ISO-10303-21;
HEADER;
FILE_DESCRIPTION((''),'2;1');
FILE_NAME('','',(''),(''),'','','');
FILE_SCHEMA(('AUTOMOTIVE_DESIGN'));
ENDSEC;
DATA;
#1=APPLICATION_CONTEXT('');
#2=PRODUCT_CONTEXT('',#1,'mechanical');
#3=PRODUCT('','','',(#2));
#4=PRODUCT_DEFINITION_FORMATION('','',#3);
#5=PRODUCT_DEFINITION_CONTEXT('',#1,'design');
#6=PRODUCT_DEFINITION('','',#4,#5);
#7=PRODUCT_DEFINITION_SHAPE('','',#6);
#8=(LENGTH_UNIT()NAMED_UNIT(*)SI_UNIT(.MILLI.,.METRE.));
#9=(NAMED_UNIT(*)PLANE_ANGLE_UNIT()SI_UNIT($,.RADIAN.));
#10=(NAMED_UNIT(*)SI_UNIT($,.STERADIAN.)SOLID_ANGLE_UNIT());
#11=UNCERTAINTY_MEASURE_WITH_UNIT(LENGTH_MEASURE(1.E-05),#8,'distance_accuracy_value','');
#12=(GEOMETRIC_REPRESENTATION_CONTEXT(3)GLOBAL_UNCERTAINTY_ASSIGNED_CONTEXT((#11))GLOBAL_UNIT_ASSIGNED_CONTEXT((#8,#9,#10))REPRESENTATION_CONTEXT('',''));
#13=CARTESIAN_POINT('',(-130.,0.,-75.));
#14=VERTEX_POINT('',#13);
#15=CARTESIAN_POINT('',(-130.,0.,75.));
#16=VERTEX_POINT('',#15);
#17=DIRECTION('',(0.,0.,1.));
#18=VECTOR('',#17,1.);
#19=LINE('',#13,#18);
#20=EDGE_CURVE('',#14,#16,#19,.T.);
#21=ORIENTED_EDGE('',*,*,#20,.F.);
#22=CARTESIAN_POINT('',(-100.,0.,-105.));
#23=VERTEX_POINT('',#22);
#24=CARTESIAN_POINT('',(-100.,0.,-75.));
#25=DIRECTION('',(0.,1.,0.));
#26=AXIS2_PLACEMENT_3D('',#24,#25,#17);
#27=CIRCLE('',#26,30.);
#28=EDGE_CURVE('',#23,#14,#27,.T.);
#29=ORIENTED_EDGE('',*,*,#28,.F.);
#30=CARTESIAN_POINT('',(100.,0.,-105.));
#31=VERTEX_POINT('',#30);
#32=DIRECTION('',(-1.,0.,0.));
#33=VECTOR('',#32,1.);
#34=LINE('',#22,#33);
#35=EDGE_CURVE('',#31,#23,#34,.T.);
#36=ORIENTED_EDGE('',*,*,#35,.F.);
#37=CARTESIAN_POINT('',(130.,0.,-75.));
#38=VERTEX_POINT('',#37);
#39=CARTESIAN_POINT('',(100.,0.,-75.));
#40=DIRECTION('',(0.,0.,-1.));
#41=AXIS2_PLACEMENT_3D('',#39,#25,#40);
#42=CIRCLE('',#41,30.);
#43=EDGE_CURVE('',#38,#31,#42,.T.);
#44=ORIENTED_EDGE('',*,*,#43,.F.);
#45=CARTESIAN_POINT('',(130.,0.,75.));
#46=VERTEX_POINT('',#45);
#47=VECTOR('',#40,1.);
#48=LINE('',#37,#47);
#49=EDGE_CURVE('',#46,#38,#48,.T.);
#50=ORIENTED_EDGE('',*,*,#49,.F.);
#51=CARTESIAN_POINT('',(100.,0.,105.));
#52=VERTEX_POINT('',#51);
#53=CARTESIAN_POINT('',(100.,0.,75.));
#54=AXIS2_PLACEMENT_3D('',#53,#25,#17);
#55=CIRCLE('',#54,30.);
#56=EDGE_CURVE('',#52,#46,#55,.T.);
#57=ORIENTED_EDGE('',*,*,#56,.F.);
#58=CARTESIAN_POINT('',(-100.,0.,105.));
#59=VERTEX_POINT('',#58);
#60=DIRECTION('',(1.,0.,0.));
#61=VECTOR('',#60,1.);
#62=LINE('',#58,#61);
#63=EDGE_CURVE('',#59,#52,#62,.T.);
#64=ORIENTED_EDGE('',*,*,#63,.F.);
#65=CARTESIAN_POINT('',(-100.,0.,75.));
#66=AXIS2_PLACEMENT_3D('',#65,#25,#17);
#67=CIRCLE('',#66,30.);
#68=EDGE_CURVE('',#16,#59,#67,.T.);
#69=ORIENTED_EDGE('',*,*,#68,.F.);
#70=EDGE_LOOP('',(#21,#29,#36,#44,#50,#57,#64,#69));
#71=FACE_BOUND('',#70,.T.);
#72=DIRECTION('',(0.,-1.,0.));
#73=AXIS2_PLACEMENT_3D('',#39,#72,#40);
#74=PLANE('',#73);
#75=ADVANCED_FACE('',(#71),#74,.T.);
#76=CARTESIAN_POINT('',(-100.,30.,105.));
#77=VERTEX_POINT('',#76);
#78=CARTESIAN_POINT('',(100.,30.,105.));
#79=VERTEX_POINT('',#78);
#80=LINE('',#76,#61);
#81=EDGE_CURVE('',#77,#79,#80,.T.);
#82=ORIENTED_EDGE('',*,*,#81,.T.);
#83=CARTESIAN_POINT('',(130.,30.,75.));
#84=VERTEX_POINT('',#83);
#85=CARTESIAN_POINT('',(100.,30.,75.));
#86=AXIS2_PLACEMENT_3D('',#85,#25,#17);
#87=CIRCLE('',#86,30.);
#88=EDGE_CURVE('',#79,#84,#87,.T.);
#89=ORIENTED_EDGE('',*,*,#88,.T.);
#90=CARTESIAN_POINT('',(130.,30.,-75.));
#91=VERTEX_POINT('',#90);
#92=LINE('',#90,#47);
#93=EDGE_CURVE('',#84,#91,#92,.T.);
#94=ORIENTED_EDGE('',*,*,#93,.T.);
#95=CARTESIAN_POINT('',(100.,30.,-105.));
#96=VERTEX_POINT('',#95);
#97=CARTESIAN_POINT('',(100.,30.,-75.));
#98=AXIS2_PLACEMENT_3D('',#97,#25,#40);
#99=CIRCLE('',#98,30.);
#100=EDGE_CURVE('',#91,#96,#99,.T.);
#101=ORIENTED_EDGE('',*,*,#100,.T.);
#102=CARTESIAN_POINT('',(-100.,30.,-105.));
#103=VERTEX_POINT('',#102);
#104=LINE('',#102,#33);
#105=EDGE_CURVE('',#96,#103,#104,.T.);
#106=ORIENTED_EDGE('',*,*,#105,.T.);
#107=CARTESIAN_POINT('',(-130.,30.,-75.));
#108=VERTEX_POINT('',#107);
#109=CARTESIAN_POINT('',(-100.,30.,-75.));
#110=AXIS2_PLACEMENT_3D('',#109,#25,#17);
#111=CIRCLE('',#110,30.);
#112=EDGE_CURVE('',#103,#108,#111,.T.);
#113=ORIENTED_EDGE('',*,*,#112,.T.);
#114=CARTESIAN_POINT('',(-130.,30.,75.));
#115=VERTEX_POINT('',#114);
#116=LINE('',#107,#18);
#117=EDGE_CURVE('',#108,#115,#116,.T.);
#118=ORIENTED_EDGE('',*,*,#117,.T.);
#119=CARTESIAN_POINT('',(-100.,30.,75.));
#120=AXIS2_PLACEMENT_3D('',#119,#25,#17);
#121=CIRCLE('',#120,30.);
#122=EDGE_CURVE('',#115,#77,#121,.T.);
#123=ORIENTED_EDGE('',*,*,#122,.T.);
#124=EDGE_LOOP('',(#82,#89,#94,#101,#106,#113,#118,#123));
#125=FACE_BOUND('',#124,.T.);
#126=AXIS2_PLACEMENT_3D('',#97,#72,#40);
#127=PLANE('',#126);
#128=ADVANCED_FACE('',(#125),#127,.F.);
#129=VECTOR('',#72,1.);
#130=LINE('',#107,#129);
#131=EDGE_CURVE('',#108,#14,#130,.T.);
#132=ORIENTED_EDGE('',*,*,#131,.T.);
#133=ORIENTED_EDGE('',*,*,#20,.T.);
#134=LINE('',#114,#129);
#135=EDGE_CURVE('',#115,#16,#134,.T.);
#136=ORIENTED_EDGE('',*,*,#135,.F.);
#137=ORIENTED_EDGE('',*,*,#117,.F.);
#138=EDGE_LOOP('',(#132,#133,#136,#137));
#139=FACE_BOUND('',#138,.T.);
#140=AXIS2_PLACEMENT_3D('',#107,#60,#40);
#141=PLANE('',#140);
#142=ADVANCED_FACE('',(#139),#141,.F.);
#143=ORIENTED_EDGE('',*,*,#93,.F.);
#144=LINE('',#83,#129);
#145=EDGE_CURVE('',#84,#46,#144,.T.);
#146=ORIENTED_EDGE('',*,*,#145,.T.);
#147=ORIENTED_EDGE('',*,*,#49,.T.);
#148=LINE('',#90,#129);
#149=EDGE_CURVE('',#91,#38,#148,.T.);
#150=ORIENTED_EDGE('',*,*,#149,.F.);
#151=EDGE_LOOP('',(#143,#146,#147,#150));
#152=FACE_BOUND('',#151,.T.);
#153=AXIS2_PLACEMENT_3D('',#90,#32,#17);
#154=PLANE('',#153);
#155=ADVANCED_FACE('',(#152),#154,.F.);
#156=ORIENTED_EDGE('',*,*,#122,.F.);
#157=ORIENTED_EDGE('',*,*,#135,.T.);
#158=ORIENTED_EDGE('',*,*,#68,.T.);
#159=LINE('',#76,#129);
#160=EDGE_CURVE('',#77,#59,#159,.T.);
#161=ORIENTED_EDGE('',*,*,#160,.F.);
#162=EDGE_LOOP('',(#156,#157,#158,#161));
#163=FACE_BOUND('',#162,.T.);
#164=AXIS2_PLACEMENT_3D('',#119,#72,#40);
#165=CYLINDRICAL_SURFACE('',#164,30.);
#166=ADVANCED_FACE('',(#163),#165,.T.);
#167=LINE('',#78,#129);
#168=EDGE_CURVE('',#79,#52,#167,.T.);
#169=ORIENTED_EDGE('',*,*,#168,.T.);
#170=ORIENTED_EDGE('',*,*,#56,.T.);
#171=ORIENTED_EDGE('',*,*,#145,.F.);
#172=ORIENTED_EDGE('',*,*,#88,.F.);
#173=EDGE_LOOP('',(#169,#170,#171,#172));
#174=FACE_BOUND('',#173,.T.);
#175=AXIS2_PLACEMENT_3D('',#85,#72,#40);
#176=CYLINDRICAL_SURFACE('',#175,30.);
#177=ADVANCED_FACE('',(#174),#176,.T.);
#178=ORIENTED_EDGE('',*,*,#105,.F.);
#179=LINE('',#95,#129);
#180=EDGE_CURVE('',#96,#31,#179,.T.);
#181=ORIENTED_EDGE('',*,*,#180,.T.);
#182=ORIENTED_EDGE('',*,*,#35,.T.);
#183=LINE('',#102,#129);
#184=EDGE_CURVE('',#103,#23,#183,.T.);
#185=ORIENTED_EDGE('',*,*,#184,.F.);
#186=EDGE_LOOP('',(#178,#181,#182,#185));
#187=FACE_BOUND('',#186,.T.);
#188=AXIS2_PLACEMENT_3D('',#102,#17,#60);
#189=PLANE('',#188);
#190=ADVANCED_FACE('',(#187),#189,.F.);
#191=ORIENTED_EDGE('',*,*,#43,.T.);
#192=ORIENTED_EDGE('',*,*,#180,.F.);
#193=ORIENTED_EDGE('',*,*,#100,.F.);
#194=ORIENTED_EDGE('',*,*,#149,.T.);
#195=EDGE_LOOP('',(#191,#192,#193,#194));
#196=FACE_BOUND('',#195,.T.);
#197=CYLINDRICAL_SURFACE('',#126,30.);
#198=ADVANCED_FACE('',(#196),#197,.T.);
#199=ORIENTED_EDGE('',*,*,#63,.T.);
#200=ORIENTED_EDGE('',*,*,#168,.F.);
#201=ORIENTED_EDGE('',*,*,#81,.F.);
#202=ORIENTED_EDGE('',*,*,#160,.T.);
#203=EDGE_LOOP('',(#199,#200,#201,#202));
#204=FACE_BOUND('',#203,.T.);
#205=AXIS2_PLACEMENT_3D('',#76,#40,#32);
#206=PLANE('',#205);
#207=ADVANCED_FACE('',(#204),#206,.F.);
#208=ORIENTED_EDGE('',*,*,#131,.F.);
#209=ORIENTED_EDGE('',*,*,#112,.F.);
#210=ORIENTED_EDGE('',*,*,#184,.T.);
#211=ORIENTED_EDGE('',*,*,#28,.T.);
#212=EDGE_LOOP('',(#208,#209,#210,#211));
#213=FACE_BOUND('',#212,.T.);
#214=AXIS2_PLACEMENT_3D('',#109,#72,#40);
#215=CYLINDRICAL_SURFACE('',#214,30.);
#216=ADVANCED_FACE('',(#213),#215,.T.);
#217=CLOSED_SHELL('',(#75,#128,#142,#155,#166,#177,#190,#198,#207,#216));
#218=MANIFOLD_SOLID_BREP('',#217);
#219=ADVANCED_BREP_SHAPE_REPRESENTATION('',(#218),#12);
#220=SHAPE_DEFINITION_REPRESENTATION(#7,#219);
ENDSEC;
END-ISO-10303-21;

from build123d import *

# Parameters (mm, degrees)
BOSS_EXTRUDE2_DEPTH = 30


with BuildPart() as part:
    # Sketch1 → Boss-Extrude2 (new body)
    with BuildSketch(Plane(origin=(0, 0, 0), x_dir=(1, 0, 0), z_dir=(0, 1, 0))):
        with BuildLine():
            Line((-100, 105), (100, 105))
            ThreePointArc((100, 105), (121.213203436, 96.213203436), (130, 75))
            Line((130, 75), (130, -75))
            ThreePointArc((130, -75), (121.213203436, -96.213203436), (100, -105))
            Line((100, -105), (-100, -105))
            ThreePointArc((-100, -105), (-121.213203436, -96.213203436), (-130, -75))
            Line((-130, -75), (-130, 75))
            ThreePointArc((-130, 75), (-121.213203436, 96.213203436), (-100, 105))
        make_face()
    extrude(amount=BOSS_EXTRUDE2_DEPTH)


solid = part.part
